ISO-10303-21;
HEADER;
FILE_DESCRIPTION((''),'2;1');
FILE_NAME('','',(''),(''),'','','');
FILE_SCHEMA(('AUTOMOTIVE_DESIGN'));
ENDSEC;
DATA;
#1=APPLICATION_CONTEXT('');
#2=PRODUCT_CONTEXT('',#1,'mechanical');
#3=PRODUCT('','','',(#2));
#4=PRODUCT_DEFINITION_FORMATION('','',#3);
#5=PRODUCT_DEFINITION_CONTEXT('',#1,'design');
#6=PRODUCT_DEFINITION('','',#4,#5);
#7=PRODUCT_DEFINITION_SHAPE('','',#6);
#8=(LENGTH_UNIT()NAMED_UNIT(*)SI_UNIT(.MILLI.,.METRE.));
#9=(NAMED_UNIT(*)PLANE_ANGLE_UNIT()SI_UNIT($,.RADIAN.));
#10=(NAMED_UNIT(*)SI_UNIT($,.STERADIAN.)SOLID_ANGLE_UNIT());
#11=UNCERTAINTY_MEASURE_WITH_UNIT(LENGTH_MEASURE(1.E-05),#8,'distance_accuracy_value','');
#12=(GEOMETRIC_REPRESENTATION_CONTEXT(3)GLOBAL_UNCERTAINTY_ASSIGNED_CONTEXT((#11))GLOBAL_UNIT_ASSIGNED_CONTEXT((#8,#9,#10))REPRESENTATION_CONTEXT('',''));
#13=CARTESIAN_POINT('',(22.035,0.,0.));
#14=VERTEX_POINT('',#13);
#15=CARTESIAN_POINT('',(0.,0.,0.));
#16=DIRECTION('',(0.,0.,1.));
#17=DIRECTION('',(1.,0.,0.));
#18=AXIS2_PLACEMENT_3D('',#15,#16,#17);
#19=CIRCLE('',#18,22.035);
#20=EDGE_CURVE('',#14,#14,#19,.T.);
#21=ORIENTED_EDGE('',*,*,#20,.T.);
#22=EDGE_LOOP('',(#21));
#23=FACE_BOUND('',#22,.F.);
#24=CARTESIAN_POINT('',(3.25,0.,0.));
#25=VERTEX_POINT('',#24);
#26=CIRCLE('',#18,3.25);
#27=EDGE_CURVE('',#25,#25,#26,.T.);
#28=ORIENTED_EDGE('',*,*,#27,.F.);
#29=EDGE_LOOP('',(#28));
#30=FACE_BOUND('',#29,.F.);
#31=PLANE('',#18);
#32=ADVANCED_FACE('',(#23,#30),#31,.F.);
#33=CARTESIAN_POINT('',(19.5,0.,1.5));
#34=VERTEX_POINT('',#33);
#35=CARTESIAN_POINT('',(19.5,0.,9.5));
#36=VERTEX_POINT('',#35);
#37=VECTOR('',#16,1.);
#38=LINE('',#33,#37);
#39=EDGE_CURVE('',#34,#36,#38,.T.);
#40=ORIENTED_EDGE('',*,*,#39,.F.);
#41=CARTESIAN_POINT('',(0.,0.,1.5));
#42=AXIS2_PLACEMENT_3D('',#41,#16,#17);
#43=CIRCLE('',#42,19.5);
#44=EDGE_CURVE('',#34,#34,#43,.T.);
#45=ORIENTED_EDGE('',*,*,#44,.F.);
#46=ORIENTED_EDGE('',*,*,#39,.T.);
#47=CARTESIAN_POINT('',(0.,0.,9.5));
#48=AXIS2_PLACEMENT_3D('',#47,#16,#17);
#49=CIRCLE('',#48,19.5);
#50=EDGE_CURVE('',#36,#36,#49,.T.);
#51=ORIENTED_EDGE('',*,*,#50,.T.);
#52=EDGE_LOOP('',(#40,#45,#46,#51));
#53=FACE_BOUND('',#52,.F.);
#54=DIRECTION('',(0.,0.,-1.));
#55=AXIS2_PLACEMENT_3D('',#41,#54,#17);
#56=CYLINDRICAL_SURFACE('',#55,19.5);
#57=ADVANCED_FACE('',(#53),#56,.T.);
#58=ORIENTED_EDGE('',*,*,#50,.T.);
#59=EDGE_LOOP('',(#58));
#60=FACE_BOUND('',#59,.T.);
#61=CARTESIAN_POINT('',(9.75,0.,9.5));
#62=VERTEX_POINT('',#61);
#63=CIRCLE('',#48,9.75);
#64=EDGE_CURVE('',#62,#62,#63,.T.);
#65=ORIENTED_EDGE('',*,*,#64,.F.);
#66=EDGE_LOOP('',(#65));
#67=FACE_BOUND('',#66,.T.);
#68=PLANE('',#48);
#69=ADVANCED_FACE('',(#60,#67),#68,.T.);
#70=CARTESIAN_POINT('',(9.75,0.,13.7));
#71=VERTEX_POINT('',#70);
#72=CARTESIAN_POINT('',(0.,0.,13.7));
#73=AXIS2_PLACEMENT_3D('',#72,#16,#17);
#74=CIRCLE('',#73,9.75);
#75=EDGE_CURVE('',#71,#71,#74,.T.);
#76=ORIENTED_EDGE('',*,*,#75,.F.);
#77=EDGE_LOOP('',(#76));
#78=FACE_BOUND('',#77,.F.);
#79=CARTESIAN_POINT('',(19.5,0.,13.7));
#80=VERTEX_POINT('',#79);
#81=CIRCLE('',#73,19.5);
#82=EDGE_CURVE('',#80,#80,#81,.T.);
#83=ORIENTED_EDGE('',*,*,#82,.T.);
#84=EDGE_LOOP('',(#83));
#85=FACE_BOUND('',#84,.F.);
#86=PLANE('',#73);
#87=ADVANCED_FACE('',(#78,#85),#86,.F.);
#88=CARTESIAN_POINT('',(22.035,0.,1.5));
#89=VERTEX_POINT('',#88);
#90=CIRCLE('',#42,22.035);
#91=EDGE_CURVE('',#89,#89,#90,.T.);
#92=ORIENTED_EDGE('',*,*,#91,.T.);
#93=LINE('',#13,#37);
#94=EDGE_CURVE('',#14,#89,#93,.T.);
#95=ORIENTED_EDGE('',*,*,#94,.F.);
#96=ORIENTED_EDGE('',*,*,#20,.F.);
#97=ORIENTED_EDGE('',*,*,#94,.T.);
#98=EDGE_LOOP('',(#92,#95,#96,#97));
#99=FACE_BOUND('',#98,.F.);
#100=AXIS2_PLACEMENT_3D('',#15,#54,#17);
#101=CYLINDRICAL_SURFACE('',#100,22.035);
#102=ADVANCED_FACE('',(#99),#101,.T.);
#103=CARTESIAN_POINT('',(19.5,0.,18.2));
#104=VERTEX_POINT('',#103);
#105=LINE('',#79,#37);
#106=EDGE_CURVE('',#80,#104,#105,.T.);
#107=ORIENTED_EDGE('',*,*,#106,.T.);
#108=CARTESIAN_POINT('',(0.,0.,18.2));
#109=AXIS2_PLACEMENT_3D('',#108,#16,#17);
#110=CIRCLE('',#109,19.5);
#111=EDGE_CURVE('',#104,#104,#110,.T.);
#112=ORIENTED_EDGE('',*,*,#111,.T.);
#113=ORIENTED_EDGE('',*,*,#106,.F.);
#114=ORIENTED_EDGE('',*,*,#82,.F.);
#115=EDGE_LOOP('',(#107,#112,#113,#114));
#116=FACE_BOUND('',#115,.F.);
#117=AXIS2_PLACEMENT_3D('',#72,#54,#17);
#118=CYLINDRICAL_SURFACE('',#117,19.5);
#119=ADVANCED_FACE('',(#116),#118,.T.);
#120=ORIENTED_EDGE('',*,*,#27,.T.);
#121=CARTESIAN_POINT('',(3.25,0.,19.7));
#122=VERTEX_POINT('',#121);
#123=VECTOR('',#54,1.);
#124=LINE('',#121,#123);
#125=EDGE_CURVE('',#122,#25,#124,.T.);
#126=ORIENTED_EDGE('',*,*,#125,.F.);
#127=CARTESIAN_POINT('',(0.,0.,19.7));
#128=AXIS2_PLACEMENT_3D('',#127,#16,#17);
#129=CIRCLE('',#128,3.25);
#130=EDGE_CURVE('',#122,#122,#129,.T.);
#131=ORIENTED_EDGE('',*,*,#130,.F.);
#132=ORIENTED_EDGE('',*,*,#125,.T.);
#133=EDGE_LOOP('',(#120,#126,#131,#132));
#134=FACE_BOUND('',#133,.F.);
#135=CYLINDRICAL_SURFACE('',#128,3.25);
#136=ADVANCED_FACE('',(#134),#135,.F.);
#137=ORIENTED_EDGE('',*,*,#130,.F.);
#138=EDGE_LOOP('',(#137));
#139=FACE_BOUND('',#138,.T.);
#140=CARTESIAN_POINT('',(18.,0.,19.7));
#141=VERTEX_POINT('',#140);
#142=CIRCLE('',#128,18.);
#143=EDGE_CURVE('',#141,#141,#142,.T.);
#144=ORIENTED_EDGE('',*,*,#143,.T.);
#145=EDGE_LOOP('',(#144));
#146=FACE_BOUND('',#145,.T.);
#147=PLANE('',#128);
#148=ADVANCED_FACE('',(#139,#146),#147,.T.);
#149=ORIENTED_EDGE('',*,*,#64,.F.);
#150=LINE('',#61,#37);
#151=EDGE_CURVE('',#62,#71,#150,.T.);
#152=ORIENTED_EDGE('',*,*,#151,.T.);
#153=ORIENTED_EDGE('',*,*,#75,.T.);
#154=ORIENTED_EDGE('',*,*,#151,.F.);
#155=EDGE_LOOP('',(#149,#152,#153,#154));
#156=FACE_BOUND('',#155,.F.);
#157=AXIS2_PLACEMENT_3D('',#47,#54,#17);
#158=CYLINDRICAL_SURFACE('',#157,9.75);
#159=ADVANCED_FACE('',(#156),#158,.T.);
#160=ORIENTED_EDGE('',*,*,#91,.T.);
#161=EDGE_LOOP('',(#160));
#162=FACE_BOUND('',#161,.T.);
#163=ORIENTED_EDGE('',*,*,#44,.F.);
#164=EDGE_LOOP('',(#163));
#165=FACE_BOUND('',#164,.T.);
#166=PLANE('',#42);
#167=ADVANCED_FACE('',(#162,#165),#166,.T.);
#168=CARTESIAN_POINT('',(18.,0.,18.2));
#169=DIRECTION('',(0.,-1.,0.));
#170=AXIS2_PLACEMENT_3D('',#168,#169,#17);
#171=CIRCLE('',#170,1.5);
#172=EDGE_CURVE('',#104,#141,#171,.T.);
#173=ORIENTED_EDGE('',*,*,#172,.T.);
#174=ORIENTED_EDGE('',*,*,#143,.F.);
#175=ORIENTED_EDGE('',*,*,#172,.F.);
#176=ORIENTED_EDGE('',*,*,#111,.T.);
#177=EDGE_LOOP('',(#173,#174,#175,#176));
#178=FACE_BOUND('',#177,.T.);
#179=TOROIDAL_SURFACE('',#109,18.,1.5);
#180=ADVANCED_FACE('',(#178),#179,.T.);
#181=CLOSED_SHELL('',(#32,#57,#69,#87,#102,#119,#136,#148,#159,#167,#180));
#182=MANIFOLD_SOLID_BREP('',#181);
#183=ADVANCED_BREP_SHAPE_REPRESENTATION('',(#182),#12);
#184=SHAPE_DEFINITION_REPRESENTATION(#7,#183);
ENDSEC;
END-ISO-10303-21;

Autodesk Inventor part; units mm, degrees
ref_plane "YZ Plane" through (0, 0, 0) normal (1, 0, 0) x (0, 1, 0)
ref_plane "XZ Plane" through (0, 0, 0) normal (0, 1, 0) x (-1, 0, 0)
ref_plane "XY Plane" through (0, 0, 0) normal (0, 0, 1) x (1, 0, 0)
sketch "Skizze1" plane through (0, 0, 0) normal (0, 0, 1) x (1, 0, 0)
  circle A0 centre (0, 0) radius 22.035
  dimension "d0" = 44.07
extrude "Extrusion1" add sketch "Skizze1" along normal blind 1.5
sketch "Skizze2" plane through (0, 0, 1.5) normal (0, 0, 1) x (1, 0, 0)
  circle A0 centre (0, 0) radius 19.5
  dimension "d3" = 39
extrude "Extrusion2" add sketch "Skizze2" along normal blind 8
sketch "Skizze3" plane through (0, 0, 9.5) normal (0, 0, 1) x (1, 0, 0)
  circle A0 centre (0, 0) radius 9.75
  dimension "d6" = 19.5
extrude "Extrusion3" add sketch "Skizze3" along normal blind 4.2
sketch "Skizze4" plane through (0, 0, 13.7) normal (0, 0, 1) x (1, 0, 0)
  circle A0 centre (0, 0) radius 19.5
  dimension "d12" = 39
extrude "Extrusion4" add sketch "Skizze4" along normal blind 6
fillet "Rundung1" radius 1.5 1 edges at (-19.5, 0, 19.7)
sketch "Skizze5" plane through (0, 0, 19.7) normal (0, 0, 1) x (1, 0, 0)
  circle A0 centre (0, 0) radius 3.25
  dimension "d13" = 6.5
extrude "Extrusion5" cut sketch "Skizze5" against normal blind 100
